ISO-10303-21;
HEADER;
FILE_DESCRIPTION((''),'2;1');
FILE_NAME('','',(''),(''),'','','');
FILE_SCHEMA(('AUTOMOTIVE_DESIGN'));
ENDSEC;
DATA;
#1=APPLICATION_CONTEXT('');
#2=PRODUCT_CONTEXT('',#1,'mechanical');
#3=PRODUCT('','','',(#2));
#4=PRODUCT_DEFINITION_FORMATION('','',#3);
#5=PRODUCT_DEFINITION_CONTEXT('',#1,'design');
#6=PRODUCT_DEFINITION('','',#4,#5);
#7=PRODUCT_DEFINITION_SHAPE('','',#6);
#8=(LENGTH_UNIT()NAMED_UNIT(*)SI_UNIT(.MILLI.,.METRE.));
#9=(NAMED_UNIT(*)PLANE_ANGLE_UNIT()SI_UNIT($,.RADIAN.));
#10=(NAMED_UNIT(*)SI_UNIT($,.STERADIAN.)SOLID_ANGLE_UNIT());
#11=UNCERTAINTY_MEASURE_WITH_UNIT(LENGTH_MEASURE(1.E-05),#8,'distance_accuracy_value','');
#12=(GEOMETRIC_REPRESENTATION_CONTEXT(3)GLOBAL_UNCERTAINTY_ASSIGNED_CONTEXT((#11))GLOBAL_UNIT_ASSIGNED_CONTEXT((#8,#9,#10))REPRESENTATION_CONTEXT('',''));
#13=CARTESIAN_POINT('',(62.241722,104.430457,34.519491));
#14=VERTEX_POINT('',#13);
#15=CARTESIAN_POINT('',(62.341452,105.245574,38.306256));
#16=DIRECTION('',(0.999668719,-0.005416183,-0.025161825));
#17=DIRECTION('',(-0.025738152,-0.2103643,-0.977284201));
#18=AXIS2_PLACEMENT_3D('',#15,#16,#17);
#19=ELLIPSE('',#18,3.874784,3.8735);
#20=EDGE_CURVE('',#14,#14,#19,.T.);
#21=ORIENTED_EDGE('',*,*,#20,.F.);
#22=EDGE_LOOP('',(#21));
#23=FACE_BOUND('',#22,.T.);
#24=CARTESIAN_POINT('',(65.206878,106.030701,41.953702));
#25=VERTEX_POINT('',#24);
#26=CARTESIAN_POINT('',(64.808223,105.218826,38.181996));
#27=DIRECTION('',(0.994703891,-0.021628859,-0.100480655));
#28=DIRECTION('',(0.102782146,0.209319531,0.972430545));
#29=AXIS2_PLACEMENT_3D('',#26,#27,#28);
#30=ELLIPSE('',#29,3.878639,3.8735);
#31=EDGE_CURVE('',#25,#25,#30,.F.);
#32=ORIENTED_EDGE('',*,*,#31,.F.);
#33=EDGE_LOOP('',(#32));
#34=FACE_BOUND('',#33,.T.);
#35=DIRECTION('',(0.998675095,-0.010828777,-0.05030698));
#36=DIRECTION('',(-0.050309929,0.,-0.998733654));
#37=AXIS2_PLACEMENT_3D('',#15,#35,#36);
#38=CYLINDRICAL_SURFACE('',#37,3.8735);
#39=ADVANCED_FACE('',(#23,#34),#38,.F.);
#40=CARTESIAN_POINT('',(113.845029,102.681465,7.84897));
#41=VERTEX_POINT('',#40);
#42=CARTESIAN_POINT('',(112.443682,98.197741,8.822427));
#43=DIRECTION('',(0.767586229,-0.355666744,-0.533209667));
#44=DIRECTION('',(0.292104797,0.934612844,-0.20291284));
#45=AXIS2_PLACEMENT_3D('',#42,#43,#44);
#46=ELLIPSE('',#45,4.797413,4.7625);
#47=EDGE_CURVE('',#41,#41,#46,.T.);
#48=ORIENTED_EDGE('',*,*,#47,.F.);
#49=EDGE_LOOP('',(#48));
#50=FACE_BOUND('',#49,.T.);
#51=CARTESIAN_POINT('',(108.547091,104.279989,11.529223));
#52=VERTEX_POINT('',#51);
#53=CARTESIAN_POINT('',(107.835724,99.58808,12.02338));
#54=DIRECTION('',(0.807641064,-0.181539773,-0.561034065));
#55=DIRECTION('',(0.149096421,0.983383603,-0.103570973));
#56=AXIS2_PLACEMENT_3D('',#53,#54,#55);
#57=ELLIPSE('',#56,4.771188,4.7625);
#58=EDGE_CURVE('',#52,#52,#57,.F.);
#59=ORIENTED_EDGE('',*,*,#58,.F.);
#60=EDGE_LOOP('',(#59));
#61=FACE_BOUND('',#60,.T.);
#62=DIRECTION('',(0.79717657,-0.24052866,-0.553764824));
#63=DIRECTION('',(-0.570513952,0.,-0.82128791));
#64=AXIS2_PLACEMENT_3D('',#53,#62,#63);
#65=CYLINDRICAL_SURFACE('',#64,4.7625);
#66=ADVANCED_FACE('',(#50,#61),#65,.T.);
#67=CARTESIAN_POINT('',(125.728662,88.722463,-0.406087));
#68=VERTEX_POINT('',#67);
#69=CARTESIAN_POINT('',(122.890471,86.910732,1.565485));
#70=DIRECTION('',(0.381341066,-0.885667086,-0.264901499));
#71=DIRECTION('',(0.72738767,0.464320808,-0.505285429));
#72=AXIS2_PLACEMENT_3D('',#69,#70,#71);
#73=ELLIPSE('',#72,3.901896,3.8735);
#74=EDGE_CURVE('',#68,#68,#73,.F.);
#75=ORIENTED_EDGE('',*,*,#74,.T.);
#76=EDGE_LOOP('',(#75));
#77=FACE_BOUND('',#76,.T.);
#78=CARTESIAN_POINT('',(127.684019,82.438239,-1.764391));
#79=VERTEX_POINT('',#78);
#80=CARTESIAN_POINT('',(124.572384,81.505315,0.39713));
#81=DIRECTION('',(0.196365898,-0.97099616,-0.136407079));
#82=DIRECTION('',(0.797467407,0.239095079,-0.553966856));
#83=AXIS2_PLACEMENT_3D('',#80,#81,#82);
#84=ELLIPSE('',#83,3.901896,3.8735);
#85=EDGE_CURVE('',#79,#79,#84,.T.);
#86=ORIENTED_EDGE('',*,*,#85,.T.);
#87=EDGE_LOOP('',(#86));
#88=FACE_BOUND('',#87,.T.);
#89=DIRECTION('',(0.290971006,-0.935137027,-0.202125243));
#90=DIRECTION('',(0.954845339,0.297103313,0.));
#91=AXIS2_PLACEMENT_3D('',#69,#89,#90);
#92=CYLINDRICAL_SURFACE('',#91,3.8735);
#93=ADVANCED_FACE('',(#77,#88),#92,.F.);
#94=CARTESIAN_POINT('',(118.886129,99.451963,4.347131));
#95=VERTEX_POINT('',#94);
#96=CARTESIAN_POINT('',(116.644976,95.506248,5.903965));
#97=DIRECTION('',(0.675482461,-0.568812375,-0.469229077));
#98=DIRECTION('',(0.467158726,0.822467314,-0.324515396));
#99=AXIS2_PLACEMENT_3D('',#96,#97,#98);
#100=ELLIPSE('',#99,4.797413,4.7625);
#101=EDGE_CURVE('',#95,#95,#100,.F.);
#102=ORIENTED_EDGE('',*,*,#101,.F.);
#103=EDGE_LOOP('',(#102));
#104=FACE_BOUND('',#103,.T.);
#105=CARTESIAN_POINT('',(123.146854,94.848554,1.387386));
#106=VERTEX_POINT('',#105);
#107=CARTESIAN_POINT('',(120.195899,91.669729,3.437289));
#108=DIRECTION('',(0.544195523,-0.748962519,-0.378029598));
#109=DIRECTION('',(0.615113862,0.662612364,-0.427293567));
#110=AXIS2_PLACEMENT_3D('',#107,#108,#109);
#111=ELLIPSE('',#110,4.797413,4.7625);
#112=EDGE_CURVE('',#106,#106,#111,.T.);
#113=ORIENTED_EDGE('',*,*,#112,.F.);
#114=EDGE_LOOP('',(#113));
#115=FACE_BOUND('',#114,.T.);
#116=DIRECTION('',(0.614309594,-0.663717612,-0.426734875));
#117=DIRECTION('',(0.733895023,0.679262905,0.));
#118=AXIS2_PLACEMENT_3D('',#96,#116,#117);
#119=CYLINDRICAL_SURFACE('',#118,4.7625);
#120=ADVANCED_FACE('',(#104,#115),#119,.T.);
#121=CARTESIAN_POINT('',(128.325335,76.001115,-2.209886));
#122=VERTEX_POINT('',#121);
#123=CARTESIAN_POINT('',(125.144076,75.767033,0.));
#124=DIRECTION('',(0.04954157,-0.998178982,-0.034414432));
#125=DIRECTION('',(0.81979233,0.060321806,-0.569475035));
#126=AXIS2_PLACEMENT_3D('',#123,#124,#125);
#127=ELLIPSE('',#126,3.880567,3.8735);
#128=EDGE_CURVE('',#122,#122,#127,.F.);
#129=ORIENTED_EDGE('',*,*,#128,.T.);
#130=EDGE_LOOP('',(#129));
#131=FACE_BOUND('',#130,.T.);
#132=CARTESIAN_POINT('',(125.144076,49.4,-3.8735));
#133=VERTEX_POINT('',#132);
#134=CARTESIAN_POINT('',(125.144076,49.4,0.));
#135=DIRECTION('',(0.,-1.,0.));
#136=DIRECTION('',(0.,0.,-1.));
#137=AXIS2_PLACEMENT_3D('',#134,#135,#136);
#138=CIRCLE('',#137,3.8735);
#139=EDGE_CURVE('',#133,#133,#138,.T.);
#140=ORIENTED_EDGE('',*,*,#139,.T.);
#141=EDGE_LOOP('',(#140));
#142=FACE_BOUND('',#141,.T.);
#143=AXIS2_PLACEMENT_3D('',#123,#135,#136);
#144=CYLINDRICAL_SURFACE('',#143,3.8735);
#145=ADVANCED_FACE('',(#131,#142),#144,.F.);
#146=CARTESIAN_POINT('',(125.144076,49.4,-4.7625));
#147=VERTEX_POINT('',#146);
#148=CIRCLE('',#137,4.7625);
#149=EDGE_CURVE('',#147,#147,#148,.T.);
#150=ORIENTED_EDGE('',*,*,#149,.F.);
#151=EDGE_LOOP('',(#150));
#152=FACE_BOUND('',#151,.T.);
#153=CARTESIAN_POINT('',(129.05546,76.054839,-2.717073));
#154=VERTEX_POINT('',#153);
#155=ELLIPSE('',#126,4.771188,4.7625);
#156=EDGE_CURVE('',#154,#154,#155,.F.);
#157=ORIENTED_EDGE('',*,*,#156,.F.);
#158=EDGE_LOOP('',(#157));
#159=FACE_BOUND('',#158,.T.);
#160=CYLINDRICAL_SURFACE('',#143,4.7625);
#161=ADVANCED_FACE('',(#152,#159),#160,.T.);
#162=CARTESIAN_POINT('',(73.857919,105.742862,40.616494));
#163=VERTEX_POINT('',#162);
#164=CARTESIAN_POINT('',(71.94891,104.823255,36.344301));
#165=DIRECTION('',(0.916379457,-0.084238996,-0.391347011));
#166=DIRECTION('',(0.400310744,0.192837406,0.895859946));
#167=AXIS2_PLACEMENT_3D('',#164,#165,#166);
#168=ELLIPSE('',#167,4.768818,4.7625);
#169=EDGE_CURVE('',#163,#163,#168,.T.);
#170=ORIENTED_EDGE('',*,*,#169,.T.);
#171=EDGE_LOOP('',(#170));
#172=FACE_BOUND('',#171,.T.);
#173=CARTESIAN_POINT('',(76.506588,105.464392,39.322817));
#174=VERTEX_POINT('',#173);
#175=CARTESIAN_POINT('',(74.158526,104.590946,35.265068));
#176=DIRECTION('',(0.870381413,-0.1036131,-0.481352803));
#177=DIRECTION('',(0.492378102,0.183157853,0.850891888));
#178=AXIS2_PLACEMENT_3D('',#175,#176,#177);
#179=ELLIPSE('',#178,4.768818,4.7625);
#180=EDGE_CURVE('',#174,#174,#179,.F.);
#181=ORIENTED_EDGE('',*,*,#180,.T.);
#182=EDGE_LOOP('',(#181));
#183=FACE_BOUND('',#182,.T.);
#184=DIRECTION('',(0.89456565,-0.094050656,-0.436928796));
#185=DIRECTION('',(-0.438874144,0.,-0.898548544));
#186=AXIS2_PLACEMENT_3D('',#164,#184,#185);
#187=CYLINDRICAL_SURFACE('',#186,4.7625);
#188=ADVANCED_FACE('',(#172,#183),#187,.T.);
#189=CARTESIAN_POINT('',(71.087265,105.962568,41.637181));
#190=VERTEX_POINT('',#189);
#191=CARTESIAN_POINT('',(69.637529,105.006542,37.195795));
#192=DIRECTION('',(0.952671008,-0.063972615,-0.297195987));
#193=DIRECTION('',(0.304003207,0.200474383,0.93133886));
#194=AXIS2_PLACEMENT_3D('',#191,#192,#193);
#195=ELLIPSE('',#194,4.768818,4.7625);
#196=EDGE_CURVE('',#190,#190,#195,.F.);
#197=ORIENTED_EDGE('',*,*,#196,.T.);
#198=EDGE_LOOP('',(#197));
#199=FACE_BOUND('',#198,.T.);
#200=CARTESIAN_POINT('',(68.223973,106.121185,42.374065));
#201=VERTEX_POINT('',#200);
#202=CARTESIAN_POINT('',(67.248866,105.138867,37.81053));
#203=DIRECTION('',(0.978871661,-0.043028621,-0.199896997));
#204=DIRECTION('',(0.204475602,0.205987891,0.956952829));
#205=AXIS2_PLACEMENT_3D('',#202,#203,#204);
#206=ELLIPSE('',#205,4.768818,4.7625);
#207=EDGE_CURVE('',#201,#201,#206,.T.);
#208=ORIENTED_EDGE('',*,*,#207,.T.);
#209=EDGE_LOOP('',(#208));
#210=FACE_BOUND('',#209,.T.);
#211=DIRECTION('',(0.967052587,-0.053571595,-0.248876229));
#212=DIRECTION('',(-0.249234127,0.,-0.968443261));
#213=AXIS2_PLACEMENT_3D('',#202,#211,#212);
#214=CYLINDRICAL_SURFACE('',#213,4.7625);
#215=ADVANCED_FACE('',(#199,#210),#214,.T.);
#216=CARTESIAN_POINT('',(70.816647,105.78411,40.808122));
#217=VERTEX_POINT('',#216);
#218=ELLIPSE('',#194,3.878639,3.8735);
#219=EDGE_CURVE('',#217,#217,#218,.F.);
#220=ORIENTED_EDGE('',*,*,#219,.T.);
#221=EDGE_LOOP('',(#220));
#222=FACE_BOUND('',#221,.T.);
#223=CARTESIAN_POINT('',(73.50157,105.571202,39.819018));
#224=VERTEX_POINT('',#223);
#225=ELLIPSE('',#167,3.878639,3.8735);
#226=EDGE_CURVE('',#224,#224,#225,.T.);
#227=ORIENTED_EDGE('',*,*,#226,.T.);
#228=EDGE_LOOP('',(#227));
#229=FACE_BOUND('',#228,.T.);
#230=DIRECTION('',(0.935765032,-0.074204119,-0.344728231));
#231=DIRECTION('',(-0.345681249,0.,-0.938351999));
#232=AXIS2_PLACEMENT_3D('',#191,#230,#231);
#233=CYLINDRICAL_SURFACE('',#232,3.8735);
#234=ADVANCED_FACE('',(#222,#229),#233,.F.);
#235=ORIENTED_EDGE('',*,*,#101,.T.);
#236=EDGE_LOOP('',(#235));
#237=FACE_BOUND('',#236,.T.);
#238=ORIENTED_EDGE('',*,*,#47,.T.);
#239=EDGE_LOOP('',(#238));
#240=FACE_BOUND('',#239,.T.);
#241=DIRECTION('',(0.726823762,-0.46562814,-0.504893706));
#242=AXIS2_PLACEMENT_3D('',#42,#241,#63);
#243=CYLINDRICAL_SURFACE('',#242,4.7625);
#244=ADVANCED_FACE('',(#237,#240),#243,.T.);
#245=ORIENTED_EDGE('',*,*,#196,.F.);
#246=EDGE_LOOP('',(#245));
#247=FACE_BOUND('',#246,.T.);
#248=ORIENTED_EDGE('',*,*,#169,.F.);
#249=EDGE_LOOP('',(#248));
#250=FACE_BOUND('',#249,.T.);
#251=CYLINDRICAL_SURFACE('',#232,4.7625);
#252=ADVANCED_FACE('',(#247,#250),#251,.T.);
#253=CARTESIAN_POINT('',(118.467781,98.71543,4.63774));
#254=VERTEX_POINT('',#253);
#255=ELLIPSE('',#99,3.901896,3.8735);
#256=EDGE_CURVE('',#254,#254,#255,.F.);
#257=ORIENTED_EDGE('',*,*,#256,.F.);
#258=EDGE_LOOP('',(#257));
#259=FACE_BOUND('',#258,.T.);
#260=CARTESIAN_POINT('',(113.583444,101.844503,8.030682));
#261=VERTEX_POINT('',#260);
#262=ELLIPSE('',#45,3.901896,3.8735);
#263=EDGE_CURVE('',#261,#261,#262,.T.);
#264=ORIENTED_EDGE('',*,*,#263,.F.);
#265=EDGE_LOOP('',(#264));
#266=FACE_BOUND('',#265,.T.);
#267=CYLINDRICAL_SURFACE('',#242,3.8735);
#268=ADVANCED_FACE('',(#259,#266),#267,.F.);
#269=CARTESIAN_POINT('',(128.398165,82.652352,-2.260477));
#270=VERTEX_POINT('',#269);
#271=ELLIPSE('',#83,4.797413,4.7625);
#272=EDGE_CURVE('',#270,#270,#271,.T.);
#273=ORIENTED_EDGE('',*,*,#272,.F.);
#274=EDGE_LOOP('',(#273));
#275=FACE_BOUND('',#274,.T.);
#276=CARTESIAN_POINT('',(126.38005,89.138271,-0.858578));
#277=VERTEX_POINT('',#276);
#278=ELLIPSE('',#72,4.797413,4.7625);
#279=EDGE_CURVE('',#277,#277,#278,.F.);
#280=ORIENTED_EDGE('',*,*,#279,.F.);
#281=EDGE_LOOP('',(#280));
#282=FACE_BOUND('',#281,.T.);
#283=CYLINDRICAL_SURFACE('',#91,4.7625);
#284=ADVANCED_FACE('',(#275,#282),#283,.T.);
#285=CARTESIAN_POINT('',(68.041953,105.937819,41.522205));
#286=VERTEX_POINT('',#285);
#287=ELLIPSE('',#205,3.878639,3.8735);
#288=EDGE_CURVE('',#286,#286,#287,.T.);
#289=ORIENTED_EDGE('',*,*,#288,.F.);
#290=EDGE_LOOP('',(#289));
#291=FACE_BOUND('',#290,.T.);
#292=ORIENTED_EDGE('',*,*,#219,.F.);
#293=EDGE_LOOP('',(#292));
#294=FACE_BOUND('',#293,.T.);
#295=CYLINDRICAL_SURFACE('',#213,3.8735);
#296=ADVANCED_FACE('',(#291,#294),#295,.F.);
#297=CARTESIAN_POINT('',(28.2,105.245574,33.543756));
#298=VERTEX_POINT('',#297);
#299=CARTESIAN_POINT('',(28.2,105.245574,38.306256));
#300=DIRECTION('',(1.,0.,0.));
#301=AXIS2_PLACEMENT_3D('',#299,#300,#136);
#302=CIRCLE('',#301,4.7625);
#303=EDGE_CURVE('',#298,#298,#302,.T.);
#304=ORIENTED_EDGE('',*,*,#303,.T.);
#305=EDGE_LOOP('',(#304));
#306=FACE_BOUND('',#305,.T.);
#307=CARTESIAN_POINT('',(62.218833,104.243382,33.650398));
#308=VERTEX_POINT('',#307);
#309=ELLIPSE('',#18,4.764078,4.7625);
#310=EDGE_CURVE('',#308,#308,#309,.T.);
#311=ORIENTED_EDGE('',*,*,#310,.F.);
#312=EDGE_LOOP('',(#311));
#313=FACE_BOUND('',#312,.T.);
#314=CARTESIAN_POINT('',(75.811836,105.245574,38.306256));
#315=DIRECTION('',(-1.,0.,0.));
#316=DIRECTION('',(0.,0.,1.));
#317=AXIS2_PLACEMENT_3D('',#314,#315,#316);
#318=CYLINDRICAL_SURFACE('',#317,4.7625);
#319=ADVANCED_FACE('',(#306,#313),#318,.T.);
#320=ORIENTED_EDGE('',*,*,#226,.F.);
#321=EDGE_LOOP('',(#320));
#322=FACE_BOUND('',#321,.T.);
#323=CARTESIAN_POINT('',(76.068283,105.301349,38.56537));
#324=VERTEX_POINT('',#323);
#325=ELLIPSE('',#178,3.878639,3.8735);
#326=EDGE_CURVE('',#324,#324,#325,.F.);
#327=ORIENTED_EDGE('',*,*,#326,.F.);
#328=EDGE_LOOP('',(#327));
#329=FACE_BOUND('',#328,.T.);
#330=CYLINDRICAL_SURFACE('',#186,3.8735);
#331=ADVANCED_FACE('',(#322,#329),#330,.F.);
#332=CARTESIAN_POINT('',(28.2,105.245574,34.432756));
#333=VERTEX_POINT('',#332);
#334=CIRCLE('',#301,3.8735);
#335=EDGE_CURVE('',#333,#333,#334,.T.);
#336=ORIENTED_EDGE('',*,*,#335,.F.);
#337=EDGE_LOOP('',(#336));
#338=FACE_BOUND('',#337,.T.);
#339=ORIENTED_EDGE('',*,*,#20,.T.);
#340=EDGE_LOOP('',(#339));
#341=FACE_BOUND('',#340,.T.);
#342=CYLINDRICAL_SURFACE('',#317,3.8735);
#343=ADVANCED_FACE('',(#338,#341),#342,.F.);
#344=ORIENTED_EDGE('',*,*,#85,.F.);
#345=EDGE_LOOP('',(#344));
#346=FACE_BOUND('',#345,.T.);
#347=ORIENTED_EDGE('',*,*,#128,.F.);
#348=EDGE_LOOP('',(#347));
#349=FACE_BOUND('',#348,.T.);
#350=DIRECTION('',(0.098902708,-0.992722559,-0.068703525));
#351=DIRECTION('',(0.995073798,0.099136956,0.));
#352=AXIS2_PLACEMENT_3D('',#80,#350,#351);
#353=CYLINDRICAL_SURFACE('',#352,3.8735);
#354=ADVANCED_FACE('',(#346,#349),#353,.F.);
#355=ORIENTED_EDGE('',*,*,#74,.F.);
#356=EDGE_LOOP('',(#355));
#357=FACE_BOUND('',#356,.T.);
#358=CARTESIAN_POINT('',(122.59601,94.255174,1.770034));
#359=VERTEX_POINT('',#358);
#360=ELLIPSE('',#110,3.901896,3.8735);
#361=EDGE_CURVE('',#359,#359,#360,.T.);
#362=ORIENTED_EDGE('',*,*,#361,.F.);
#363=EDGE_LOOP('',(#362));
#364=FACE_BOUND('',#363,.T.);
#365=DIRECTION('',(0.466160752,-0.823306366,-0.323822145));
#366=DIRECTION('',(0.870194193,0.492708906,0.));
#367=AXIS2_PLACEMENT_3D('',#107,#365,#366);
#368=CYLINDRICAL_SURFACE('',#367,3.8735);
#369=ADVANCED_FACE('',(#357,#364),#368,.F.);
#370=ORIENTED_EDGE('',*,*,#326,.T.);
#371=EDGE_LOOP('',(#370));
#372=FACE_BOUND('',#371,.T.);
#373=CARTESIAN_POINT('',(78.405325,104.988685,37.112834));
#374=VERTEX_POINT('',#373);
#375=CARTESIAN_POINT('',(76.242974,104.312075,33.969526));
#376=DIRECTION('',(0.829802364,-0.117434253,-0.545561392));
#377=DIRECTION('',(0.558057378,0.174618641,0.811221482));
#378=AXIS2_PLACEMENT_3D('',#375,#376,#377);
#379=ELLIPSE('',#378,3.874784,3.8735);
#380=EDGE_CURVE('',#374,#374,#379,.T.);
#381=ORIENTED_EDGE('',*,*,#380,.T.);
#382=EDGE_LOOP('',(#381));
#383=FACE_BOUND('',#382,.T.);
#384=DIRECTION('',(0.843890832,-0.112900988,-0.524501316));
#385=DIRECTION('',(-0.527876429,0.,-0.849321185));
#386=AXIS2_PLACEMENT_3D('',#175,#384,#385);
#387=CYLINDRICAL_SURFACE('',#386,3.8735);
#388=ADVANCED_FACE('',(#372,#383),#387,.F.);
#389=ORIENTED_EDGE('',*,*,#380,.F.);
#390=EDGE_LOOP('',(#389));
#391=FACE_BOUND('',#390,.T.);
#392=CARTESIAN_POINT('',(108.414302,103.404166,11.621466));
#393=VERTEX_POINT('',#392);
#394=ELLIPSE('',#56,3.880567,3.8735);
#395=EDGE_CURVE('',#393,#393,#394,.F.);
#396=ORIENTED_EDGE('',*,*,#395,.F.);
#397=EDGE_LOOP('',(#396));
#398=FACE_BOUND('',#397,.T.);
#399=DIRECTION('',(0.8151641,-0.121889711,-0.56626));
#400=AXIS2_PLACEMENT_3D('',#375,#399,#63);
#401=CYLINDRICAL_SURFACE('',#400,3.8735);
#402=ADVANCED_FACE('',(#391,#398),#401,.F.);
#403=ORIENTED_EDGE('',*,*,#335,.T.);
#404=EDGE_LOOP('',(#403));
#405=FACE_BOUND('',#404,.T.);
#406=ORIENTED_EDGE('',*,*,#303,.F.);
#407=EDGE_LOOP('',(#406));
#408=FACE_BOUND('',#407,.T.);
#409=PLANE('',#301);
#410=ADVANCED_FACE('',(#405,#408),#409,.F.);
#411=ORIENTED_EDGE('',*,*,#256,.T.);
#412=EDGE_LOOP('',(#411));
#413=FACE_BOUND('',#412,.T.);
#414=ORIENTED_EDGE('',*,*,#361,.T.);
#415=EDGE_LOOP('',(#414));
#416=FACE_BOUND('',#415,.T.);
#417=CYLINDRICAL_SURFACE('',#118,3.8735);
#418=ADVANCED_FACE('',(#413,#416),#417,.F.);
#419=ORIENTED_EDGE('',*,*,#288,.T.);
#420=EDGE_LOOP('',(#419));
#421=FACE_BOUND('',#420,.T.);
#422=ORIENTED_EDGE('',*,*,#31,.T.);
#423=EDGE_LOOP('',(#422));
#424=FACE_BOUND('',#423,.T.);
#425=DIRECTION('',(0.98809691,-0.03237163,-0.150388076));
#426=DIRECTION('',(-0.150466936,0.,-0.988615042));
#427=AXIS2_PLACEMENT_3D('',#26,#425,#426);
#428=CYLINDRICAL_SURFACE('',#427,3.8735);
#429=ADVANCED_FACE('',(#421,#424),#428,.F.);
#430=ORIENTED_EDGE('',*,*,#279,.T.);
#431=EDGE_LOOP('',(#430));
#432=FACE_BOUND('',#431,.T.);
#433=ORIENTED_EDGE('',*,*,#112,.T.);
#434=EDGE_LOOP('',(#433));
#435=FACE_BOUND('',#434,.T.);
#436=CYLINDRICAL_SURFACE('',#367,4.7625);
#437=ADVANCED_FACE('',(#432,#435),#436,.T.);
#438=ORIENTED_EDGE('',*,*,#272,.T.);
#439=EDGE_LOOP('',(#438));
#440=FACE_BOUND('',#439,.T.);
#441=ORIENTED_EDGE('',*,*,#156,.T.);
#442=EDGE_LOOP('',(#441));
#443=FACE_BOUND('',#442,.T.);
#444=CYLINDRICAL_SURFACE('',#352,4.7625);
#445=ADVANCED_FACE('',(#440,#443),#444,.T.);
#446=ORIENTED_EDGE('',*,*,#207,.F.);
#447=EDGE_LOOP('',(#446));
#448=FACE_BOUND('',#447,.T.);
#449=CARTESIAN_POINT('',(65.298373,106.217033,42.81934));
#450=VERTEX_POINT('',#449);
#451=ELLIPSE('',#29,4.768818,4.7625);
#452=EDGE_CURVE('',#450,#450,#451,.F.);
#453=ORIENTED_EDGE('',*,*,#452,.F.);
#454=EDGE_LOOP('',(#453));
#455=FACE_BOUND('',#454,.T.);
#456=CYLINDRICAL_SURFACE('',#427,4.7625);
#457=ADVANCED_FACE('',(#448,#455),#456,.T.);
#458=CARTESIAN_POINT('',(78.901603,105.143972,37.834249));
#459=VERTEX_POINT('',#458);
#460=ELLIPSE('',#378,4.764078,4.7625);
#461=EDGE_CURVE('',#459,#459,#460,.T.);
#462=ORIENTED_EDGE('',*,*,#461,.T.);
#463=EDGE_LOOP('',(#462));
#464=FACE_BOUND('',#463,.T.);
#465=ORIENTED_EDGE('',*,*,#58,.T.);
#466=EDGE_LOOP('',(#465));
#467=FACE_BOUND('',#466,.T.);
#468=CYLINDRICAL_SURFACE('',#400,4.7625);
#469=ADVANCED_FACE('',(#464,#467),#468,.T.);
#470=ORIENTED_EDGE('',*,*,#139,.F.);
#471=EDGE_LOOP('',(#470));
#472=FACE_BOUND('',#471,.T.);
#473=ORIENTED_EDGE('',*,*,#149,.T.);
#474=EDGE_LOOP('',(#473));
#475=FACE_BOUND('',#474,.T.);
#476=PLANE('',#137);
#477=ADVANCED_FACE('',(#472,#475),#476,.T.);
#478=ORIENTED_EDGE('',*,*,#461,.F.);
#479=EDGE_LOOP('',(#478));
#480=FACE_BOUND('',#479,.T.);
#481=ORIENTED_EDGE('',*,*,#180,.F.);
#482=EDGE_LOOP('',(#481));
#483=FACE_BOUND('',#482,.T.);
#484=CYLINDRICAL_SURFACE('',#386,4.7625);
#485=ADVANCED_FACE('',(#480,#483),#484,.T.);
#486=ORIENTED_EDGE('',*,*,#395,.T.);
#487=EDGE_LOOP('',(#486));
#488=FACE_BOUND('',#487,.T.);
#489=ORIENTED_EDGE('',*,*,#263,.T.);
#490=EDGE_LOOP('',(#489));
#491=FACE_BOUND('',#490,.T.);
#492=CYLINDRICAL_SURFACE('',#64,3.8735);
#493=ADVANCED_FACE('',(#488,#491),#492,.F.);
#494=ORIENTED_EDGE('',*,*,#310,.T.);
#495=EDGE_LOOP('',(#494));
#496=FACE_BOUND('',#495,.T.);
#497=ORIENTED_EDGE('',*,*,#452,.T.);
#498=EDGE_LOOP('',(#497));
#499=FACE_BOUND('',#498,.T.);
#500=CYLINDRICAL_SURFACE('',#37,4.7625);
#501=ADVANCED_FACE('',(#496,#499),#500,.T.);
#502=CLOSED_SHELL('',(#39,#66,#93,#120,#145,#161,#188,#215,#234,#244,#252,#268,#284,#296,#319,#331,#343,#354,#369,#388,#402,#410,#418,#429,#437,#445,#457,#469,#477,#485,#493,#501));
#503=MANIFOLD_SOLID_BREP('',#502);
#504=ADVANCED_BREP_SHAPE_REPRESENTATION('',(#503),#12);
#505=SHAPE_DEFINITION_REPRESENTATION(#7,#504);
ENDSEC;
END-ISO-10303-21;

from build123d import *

# Parameters (mm, degrees)
PROFILE_R   = 4.7625
PROFILE_R_2 = 3.8735


with BuildPart() as part:
    # Tube: sweep along a curve in space
    with BuildLine() as tube_path:
        Line((28.2, 105.245573528, 38.306256052), (62.341451663, 105.245573528, 38.306256052))
        Line((62.341451663, 105.245573528, 38.306256052), (64.808223176, 105.218825972, 38.181995595))
        Line((64.808223176, 105.218825972, 38.181995595), (67.248866106, 105.138866619, 37.810530418))
        Line((67.248866106, 105.138866619, 37.810530418), (69.63752863, 105.006542417, 37.195795159))
        Line((69.63752863, 105.006542417, 37.195795159), (71.948909514, 104.823254972, 36.344301231))
        Line((71.948909514, 104.823254972, 36.344301231), (74.158526106, 104.590945705, 35.265067843))
        Line((74.158526106, 104.590945705, 35.265067843), (76.242973665, 104.312075287, 33.969526469))
        Line((76.242973665, 104.312075287, 33.969526469), (107.835723721, 99.58808025, 12.023380107))
        Line((107.835723721, 99.58808025, 12.023380107), (112.443681745, 98.197740878, 8.82242669))
        Line((112.443681745, 98.197740878, 8.82242669), (116.644976055, 95.506248168, 5.903965345))
        Line((116.644976055, 95.506248168, 5.903965345), (120.195899313, 91.669729365, 3.437289243))
        Line((120.195899313, 91.669729365, 3.437289243), (122.890470703, 86.910732024, 1.565484541))
        Line((122.890470703, 86.910732024, 1.565484541), (124.572384389, 81.505314539, 0.397130287))
        Line((124.572384389, 81.505314539, 0.397130287), (125.144076461, 75.767032634, 0))
        Line((125.144076461, 75.767032634, 0), (125.144076461, 49.4, 0))
    # Profile → Tube (sweep)
    with BuildSketch(Plane(origin=(28.2, 0, 0), x_dir=(0, 0, -1), z_dir=(1, 0, 0))):
        with Locations((-38.306256052, 105.245573528)):
            Circle(PROFILE_R)
        with Locations((-38.306256052, 105.245573528)):
            Circle(PROFILE_R_2, mode=Mode.SUBTRACT)
    sweep(path=tube_path.line, transition=Transition.RIGHT)


solid = part.part
